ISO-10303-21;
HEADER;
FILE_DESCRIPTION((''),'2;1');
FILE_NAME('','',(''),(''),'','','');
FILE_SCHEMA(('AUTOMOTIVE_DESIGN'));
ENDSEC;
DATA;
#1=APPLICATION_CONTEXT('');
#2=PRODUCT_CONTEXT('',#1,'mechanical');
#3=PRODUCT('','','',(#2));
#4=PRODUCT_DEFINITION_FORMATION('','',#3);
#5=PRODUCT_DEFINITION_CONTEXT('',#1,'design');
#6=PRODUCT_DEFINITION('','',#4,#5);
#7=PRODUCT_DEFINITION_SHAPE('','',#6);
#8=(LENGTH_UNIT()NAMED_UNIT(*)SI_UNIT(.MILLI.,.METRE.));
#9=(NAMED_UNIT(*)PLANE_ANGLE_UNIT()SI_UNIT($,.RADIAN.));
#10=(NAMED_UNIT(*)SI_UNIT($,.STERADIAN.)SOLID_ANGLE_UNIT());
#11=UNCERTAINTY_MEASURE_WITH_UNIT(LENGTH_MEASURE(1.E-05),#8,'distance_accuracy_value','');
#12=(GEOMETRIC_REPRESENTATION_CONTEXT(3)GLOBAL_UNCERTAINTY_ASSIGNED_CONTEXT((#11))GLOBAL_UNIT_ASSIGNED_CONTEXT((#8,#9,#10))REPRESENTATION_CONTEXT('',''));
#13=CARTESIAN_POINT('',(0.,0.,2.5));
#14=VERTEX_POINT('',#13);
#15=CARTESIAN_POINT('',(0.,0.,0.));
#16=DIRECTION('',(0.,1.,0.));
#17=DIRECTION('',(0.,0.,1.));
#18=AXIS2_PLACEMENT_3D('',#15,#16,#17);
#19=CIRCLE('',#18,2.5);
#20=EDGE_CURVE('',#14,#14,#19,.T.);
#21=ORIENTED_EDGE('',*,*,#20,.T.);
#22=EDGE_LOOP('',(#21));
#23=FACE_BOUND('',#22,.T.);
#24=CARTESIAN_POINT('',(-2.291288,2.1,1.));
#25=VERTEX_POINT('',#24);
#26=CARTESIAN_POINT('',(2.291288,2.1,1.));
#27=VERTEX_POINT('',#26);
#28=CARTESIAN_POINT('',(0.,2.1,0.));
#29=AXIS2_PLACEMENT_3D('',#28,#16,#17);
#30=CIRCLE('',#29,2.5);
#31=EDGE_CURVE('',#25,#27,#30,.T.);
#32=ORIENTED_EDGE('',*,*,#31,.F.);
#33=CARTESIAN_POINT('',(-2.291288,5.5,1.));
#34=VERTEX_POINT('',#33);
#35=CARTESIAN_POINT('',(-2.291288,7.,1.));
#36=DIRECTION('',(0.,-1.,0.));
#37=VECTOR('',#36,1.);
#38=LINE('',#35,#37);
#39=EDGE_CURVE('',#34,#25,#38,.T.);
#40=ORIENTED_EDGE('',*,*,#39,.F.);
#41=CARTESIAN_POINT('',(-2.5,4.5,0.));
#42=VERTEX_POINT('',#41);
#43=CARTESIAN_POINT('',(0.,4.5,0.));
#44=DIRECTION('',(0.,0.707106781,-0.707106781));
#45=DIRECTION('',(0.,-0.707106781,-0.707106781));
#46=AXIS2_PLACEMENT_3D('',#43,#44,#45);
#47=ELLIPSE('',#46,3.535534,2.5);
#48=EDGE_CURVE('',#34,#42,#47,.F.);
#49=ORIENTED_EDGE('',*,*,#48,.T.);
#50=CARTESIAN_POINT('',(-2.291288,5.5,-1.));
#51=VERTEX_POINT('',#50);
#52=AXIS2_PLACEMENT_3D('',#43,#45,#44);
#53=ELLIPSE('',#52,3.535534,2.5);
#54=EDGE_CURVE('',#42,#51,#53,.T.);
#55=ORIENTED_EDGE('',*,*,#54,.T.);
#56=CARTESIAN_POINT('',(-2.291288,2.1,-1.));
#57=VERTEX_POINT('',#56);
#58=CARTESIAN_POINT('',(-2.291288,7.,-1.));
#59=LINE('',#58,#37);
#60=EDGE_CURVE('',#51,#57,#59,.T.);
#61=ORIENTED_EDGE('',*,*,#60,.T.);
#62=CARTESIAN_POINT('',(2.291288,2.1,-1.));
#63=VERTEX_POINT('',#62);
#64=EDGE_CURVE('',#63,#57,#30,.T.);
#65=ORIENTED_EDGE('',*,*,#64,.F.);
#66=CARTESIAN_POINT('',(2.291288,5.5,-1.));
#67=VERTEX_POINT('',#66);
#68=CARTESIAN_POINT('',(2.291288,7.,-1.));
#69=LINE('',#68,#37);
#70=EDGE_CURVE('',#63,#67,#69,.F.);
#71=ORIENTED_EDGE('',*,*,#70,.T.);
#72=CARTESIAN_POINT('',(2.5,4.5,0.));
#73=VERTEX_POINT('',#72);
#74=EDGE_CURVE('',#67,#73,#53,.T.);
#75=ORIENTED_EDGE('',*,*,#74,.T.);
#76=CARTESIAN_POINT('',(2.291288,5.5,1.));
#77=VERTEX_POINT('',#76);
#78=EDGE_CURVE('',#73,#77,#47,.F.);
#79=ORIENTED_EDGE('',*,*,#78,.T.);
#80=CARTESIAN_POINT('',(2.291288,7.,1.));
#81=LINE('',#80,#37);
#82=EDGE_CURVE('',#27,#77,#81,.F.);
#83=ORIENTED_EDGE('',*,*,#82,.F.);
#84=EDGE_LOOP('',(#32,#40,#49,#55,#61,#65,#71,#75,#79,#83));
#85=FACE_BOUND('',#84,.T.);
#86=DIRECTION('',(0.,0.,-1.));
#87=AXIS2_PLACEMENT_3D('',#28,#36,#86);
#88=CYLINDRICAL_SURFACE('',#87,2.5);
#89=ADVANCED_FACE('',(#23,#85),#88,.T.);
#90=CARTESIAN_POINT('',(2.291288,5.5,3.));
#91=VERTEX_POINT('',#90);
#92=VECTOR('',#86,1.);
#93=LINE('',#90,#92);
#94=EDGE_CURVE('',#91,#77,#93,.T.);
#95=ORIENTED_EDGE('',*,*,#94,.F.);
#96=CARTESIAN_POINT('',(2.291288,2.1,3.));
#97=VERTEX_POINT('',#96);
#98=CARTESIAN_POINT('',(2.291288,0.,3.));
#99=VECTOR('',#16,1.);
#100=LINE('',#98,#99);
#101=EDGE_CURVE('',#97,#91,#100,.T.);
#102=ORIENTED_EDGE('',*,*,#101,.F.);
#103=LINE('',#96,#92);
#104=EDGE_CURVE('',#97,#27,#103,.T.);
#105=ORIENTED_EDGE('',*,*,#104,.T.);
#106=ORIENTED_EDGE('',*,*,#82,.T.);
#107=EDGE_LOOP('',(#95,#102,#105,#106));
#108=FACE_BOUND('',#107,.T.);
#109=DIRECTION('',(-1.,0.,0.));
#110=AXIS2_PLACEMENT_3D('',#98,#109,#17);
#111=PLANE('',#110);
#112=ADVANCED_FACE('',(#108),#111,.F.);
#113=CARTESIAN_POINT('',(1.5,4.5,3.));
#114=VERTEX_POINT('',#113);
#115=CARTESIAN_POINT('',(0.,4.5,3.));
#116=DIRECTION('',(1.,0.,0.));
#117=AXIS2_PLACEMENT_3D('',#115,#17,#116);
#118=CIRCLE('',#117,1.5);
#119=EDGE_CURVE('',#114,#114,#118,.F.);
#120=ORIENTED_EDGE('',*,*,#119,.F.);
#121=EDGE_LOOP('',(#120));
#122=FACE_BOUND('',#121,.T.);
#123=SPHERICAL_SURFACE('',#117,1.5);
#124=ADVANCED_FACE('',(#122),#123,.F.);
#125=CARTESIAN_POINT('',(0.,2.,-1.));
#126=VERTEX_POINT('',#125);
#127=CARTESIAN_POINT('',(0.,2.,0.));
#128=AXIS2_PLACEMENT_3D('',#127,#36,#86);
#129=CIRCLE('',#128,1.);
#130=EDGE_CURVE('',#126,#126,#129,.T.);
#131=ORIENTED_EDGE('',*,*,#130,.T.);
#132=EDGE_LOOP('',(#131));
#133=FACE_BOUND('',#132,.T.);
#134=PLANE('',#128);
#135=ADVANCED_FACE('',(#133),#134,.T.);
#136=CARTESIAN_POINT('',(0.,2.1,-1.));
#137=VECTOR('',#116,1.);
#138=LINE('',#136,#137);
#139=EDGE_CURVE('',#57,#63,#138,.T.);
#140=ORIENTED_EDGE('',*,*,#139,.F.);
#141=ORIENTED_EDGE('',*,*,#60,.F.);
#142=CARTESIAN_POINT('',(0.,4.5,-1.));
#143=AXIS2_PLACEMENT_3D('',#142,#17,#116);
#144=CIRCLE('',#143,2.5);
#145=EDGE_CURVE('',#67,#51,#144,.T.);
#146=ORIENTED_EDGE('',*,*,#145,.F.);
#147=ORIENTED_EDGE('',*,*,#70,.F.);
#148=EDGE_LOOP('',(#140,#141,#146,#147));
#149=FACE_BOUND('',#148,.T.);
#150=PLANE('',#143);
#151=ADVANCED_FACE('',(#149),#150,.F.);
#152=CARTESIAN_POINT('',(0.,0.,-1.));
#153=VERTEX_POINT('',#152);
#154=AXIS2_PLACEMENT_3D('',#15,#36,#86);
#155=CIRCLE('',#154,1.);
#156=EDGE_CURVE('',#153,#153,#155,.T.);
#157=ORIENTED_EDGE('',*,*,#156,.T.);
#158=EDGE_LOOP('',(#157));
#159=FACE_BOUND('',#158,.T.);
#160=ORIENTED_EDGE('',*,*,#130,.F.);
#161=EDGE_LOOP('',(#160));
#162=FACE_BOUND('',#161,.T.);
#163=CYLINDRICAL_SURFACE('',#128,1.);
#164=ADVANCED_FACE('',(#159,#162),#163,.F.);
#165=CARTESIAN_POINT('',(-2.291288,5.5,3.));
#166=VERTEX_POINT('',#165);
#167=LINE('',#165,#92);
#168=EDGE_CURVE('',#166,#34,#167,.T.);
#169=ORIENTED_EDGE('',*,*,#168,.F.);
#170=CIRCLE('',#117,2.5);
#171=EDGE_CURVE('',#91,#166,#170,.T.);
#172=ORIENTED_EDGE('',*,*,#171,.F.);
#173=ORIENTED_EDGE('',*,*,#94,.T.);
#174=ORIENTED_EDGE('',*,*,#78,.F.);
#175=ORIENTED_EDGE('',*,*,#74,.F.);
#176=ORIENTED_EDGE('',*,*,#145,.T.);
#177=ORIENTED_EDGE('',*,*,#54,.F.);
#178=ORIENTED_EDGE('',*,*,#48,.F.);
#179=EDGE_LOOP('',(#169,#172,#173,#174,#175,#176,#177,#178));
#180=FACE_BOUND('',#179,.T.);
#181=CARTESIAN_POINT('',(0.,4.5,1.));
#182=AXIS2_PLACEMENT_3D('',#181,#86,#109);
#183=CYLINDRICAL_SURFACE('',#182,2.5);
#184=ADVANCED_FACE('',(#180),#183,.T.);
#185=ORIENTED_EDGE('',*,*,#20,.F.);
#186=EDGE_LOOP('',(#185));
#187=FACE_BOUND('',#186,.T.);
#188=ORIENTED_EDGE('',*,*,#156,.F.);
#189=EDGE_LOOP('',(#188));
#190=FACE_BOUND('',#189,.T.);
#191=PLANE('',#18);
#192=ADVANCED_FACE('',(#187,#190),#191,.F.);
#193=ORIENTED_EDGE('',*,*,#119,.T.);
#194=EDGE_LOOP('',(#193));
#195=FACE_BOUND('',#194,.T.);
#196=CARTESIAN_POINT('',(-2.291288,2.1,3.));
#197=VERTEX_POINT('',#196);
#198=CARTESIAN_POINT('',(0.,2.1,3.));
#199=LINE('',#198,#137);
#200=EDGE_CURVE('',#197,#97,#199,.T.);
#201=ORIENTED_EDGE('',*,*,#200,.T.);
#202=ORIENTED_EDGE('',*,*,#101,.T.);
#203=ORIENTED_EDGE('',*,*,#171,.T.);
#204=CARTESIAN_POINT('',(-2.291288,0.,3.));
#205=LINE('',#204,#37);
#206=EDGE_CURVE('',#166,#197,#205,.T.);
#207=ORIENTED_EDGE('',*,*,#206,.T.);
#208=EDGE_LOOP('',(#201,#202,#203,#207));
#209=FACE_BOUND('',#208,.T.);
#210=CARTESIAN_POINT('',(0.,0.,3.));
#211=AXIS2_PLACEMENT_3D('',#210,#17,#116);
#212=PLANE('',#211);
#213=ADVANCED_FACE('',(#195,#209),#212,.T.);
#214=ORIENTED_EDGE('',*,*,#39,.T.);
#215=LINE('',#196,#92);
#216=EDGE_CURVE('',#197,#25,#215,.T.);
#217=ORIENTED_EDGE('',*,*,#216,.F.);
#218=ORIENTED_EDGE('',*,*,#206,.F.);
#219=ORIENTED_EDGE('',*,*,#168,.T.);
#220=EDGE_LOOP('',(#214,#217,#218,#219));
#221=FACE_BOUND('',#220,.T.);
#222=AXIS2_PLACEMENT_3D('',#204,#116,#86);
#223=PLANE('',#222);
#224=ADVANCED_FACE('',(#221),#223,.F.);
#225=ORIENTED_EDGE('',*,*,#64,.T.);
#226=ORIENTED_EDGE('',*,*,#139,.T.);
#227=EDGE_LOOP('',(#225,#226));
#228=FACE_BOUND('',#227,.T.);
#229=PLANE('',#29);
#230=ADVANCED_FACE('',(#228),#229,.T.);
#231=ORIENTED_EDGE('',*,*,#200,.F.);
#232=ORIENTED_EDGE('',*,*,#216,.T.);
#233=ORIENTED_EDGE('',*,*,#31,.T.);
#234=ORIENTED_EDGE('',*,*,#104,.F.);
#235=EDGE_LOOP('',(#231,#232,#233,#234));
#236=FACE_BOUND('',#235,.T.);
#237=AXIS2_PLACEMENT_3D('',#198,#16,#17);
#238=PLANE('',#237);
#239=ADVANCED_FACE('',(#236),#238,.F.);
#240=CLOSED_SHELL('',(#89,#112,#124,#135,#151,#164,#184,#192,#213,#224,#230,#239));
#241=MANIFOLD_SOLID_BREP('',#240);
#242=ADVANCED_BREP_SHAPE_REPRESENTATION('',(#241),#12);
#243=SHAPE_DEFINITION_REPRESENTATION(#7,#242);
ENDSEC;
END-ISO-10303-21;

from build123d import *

# Parameters (mm, degrees)
SKETCH1_R           = 2.5
SKETCH1_R_2         = 1
BOSS_EXTRUDE2_DEPTH = 2.1
BOSS_EXTRUDE3_DEPTH = 1
SKETCH4_R           = 1
CUT_EXTRUDE13_DEPTH = 2
SKETCH6_OUTSIDE_W   = 8.99
SKETCH6_OUTSIDE_H   = 8.99
SKETCH6_OUTSIDE_R   = 2.5
CUT_EXTRUDE14_DEPTH = 8.842193571
BOSS_EXTRUDE4_START = 2
BOSS_EXTRUDE4_DEPTH = 2


with BuildPart() as part:
    # Sketch1 → Boss-Extrude2 (new body)
    with BuildSketch(Plane(origin=(0, 0, 0), x_dir=(1, 0, 0), z_dir=(0, 1, 0))):
        with Locations(Location((0, 0, 0), (0, 0, 270))):
            Circle(SKETCH1_R)
        with Locations(Location((0, 0, 0), (0, 0, 270))):
            Circle(SKETCH1_R_2, mode=Mode.SUBTRACT)
    extrude(amount=BOSS_EXTRUDE2_DEPTH)

    # Sketch2 → Boss-Extrude3 (add, symmetric)
    with BuildSketch(Plane.XY):
        with BuildLine():
            Line((2.5, 4.5), (2.5, 0))
            Line((2.5, 0), (-2.5, 0))
            Line((-2.5, 0), (-2.5, 4.5))
            ThreePointArc((-2.5, 4.5), (0, 7), (2.5, 4.5))
        make_face()
    extrude(amount=BOSS_EXTRUDE3_DEPTH, both=True)

    # Sketch4 → Cut-Extrude13 (cut)
    with BuildSketch(Plane.XZ):
        with Locations(Location((0, 0, 0), (0, 0, 270))):
            Circle(SKETCH4_R)
    extrude(amount=-CUT_EXTRUDE13_DEPTH, mode=Mode.SUBTRACT)

    # Sketch6 outside → Cut-Extrude14 (cut, through all)
    with BuildSketch(Plane.XZ):
        Rectangle(SKETCH6_OUTSIDE_W, SKETCH6_OUTSIDE_H)
        with Locations(Location((0, 0, 0), (0, 0, 336.421821522))):
            Circle(SKETCH6_OUTSIDE_R, mode=Mode.SUBTRACT)
    extrude(amount=-CUT_EXTRUDE14_DEPTH, mode=Mode.SUBTRACT)

    # Sketch7 → Boss-Extrude4 (add)
    with BuildSketch(Plane.XY.offset(1).offset(BOSS_EXTRUDE4_START)):
        with BuildLine():
            Line((2.291287847, 2.1), (2.291287847, 5.5))
            ThreePointArc((2.291287847, 5.5), (0, 7), (-2.291287847, 5.5))
            Line((-2.291287847, 5.5), (-2.291287847, 2.1))
            Line((-2.291287847, 2.1), (2.291287847, 2.1))
        make_face()
    extrude(amount=-BOSS_EXTRUDE4_DEPTH)

    # Sketch9 → Cut-Revolve1 (revolve, cut)
    with BuildSketch(Plane.XY.offset(3)):
        with BuildLine():
            Line((-1.5, 4.5), (1.5, 4.5))
            ThreePointArc((1.5, 4.5), (0, 6), (-1.5, 4.5))
        make_face()
    revolve(axis=Axis((-1.5, 4.5, 3), (1, 0, 0)), mode=Mode.SUBTRACT)


solid = part.part
